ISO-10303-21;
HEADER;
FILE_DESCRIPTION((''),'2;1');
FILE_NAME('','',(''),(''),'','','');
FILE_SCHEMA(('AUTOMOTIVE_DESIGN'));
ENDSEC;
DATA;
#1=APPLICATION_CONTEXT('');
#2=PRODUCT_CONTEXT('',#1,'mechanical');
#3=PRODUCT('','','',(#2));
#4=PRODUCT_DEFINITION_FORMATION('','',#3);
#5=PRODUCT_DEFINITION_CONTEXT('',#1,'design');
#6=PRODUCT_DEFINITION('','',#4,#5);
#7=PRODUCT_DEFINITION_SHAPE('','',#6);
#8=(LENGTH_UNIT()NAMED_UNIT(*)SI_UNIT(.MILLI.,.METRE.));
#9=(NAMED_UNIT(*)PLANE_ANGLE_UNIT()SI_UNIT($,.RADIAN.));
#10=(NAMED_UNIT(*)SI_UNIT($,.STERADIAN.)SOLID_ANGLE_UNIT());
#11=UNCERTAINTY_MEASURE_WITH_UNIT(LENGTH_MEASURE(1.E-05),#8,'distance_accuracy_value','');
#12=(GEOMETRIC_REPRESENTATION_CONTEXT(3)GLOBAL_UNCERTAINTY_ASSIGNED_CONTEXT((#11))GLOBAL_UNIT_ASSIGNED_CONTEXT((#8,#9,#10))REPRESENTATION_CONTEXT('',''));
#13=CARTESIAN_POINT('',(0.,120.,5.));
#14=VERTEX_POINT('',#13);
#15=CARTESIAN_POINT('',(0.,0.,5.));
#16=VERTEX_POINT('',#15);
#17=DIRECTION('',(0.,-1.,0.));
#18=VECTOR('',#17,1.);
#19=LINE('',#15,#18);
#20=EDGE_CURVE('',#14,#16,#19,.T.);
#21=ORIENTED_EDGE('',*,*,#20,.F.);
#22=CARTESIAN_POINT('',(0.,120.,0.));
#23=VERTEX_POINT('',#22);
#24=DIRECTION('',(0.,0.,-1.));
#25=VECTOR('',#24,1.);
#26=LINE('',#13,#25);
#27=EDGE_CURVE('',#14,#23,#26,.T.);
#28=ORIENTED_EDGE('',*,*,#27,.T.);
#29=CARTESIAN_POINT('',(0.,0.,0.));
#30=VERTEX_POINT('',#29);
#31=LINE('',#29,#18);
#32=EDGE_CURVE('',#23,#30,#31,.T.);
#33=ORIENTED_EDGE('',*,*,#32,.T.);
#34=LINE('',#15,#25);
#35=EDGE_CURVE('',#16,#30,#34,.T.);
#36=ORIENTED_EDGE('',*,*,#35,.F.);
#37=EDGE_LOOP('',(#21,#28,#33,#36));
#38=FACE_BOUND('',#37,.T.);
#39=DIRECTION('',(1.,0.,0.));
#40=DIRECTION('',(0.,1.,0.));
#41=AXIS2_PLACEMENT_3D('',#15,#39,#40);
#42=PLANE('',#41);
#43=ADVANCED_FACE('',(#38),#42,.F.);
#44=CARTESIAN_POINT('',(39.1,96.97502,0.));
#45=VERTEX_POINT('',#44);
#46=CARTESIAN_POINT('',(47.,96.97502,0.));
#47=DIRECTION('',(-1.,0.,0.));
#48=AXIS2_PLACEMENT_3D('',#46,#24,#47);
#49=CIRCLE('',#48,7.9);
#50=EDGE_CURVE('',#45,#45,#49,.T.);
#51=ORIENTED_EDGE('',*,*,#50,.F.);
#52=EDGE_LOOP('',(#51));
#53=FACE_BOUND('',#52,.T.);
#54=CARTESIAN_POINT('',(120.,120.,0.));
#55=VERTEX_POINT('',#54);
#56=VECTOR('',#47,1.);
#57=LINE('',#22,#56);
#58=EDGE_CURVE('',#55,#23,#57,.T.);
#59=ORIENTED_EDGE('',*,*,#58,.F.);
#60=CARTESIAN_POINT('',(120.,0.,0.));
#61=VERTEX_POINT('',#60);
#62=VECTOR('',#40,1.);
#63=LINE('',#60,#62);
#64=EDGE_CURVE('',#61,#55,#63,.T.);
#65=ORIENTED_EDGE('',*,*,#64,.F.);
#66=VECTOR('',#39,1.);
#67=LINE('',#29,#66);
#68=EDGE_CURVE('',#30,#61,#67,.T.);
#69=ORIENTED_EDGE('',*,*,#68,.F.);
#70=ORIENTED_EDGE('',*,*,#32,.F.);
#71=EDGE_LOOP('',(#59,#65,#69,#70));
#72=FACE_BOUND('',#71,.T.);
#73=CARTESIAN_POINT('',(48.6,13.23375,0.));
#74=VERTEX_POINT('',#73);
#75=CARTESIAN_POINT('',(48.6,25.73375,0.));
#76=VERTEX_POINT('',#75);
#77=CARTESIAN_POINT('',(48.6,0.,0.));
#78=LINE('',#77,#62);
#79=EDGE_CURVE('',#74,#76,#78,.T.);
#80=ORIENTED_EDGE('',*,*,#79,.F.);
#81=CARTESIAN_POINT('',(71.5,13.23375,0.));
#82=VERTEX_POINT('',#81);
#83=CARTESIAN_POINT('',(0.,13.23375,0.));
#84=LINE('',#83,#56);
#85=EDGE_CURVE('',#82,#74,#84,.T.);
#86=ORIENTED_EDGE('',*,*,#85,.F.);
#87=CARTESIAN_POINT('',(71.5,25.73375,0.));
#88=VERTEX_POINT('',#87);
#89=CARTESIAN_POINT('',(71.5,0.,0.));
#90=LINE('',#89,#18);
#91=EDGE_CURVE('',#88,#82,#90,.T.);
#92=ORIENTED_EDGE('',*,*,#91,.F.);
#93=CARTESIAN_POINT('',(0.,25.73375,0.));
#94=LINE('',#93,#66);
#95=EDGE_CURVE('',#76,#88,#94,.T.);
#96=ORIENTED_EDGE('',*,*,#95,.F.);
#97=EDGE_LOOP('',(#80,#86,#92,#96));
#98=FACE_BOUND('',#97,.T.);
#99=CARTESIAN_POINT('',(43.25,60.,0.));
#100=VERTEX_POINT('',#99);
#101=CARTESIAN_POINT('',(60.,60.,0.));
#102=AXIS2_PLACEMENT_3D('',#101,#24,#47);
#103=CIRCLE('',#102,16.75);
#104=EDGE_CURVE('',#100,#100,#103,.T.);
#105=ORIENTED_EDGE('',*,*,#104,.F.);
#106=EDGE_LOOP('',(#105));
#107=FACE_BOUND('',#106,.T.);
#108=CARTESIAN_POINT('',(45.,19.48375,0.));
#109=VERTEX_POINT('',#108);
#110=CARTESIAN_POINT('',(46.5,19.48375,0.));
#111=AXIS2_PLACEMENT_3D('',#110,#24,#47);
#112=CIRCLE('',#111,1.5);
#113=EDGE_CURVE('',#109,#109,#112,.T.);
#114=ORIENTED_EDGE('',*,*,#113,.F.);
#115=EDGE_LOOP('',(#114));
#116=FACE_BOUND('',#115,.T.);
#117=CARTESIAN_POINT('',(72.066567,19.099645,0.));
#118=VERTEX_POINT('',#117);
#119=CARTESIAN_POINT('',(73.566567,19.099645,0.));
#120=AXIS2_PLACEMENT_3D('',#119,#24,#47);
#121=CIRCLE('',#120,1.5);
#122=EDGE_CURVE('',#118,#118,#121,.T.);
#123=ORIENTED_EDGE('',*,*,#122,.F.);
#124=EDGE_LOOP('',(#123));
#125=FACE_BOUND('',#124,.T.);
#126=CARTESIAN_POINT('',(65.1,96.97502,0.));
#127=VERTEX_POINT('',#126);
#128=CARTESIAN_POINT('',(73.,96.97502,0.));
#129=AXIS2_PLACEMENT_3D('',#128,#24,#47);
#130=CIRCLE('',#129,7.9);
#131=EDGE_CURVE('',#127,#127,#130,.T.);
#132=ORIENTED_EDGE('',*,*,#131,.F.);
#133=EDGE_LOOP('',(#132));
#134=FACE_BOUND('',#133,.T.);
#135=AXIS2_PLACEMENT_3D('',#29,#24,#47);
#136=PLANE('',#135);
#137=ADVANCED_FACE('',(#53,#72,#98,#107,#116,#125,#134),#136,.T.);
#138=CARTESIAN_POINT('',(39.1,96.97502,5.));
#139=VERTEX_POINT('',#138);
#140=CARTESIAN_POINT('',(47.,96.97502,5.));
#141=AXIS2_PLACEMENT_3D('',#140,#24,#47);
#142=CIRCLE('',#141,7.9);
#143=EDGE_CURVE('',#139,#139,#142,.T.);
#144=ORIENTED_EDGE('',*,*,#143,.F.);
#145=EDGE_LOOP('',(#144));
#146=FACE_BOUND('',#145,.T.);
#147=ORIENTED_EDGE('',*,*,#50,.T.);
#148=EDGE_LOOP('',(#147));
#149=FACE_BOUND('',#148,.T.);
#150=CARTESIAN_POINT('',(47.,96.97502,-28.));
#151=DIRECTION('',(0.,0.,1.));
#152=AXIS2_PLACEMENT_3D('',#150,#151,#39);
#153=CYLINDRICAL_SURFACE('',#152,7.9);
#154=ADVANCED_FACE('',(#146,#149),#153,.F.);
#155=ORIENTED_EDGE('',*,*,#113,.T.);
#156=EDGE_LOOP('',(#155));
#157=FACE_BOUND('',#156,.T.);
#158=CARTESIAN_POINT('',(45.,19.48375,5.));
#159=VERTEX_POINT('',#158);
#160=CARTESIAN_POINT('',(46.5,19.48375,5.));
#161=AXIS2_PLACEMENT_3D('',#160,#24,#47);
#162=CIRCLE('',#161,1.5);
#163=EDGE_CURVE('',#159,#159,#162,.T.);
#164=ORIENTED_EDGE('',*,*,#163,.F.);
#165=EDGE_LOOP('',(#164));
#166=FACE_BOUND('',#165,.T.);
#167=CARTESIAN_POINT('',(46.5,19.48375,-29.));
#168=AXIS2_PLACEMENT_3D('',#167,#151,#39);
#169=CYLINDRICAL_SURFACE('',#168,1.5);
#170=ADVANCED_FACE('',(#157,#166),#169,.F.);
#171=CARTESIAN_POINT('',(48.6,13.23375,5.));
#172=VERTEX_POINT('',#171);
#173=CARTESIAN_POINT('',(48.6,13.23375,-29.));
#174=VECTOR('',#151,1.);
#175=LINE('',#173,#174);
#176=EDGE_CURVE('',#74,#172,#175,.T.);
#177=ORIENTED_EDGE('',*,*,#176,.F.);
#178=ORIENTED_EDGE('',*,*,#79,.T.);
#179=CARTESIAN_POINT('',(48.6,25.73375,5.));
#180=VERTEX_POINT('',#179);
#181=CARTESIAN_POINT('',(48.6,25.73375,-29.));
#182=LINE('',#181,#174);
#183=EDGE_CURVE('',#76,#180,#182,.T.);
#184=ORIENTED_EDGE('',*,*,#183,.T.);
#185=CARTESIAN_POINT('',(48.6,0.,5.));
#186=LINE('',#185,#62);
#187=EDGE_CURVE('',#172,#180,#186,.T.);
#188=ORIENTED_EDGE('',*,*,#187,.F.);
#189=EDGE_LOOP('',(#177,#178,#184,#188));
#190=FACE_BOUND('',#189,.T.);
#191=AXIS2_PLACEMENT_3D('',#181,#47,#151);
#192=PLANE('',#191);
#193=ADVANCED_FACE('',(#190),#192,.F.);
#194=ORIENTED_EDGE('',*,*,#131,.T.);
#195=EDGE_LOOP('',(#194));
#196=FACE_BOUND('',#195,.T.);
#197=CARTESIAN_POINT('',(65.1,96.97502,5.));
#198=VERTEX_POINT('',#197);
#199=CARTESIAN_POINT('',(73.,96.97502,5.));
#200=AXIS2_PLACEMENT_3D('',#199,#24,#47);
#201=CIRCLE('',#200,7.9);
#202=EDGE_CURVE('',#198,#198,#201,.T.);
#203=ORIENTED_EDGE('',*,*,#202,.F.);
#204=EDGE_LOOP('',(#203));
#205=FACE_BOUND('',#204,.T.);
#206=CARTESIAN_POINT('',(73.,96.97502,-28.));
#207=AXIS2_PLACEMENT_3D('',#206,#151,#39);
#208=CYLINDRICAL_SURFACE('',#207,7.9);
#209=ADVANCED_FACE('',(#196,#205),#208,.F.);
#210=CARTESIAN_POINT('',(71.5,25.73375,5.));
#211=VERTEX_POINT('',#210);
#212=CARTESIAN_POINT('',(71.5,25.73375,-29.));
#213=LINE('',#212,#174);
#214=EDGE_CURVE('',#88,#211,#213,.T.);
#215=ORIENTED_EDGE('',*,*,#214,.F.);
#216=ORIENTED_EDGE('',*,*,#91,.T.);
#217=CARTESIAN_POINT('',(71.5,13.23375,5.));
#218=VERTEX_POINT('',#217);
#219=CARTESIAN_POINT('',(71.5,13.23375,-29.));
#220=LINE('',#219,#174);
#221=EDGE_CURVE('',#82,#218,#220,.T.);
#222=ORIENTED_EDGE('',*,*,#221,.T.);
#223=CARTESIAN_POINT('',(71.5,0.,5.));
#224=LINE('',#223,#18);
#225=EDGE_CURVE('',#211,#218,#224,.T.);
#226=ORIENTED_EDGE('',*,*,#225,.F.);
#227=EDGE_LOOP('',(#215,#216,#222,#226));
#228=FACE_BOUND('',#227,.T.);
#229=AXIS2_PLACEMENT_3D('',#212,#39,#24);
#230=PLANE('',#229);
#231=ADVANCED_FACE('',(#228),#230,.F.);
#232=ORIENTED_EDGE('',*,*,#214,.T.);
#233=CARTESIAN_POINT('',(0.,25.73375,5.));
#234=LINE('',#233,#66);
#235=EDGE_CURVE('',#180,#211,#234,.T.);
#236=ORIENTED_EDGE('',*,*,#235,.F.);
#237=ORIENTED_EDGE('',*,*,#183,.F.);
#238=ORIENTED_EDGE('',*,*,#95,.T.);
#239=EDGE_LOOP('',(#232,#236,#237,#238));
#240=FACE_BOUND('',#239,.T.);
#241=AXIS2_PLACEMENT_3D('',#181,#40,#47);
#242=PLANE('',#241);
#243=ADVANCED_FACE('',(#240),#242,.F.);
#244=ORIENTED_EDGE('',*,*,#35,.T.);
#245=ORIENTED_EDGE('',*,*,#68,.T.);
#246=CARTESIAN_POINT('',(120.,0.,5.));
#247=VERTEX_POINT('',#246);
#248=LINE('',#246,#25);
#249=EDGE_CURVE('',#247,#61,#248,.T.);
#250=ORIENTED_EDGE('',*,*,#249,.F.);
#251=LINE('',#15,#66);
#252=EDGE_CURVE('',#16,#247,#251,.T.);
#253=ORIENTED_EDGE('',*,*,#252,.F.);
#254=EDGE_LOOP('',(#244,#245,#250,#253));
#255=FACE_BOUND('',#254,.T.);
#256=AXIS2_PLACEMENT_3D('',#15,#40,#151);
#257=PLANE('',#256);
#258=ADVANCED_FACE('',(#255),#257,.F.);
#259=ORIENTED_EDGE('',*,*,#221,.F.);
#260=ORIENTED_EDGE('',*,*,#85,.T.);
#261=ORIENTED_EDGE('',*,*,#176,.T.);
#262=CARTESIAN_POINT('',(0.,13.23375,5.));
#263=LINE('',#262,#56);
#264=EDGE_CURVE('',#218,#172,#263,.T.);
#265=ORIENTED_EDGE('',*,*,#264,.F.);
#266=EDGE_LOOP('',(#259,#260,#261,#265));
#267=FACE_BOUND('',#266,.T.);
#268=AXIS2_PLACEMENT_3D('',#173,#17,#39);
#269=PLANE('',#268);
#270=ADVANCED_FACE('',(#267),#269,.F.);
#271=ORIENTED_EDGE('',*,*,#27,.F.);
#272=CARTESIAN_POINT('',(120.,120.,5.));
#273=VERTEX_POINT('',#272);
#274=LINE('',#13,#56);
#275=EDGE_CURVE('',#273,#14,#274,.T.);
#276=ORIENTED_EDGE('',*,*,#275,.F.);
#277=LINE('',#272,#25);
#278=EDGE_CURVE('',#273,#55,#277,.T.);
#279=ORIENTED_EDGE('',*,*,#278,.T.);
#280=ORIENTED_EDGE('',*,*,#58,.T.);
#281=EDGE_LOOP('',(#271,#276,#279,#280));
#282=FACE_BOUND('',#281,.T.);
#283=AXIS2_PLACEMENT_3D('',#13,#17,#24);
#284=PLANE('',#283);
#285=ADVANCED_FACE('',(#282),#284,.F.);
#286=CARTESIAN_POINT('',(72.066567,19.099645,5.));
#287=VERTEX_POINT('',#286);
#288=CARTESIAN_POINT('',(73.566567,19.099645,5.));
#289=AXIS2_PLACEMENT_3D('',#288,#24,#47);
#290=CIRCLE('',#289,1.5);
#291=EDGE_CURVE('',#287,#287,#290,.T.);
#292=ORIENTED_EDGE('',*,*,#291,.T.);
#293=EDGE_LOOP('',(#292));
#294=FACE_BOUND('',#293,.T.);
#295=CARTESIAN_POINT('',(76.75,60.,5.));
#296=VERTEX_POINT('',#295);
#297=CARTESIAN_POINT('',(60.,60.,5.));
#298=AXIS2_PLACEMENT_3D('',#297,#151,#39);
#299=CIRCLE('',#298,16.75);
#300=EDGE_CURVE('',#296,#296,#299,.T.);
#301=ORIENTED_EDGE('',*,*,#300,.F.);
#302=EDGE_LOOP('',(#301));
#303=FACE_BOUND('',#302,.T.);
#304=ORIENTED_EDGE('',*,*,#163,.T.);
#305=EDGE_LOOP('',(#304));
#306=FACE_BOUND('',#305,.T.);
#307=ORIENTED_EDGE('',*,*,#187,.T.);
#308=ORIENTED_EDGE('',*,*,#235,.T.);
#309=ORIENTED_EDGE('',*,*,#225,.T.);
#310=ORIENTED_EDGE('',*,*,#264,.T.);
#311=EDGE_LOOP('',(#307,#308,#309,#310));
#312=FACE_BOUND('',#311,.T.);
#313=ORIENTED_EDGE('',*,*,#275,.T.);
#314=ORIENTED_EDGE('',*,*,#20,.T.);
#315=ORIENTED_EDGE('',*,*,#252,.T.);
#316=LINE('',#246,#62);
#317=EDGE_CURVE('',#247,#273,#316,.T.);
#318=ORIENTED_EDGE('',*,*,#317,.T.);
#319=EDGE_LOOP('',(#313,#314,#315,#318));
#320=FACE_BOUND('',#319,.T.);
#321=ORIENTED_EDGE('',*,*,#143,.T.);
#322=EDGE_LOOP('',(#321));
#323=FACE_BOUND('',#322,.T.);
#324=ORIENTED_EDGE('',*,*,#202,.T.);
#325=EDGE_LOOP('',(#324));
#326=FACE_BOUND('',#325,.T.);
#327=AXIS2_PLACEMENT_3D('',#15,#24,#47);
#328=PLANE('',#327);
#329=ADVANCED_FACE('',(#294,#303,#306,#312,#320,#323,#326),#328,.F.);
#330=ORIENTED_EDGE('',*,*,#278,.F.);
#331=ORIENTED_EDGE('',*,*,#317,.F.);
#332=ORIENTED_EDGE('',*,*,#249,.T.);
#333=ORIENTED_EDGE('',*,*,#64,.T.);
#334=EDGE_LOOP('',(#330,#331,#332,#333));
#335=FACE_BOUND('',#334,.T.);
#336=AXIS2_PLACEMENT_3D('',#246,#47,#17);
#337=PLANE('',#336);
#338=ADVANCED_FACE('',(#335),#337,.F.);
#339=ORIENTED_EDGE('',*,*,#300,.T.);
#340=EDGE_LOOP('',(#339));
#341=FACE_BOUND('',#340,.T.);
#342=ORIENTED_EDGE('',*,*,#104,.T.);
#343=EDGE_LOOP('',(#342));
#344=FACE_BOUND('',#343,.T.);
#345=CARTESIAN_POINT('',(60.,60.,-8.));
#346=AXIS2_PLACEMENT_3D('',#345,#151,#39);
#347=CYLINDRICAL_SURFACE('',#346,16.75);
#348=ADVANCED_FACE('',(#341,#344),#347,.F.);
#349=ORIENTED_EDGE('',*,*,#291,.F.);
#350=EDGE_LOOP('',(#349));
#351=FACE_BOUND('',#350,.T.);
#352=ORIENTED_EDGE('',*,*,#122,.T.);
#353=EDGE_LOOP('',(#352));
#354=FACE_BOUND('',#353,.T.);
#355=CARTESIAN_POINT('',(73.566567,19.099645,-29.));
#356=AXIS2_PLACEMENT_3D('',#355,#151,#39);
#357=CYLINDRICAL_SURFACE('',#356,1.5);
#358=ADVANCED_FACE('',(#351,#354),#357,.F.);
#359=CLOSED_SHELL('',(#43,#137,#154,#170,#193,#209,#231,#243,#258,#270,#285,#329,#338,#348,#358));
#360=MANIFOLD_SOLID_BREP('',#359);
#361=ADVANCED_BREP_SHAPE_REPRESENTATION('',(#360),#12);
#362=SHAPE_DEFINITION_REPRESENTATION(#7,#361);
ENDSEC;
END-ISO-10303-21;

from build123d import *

# Parameters (mm, degrees)
ESBO_O1_W                  = 120
ESBO_O1_H                  = 120
RESSALTO_EXTRUS_O1_DEPTH   = 5
ESBO_O2_R                  = 16.75
CORTE_EXTRUS_O1_DEPTH      = 13
CORTE_EXTRUS_O2_DEPTH      = 28
CORTE_EXTRUS_O2_DEPTH_BACK = 29
ESBO_O3_R                  = 1.5
ESBO_O3_W                  = 22.9
ESBO_O3_H                  = 12.5
CORTE_EXTRUS_O3_DEPTH      = 32
CORTE_EXTRUS_O3_DEPTH_BACK = 28
ESBO_O4_R                  = 7.9


with BuildPart() as part:
    # Esboço1 → Ressalto-extrusão1 (new body)
    with BuildSketch(Plane.XY):
        with Locations((60, 60)):
            Rectangle(ESBO_O1_W, ESBO_O1_H)
    extrude(amount=RESSALTO_EXTRUS_O1_DEPTH)

    # Esboço2 → Corte-extrusão1 (cut)
    with BuildSketch(Plane.XY.offset(5)):
        with Locations((60, 60)):
            Circle(ESBO_O2_R)
    extrude(amount=-CORTE_EXTRUS_O1_DEPTH, mode=Mode.SUBTRACT)

    # Esboço3 → Corte-extrusão2 (cut, two sides: drawn at the far end of the back side and taken through both)
    with BuildSketch(Plane.XY.offset(-CORTE_EXTRUS_O2_DEPTH_BACK)):
        with Locations(Location((46.5, 19.48375, 0), (0, 0, 180))):
            Circle(ESBO_O3_R)
        with Locations(Location((73.566567065, 19.099645167, 0), (0, 0, 180))):
            Circle(ESBO_O3_R)
        with Locations((60.05, 19.48375)):
            Rectangle(ESBO_O3_W, ESBO_O3_H)
    extrude(amount=CORTE_EXTRUS_O2_DEPTH + CORTE_EXTRUS_O2_DEPTH_BACK, mode=Mode.SUBTRACT)

    # Esboço4 → Corte-extrusão3 (cut, two sides: drawn at the far end of the back side and taken through both)
    with BuildSketch(Plane.XY.offset(-CORTE_EXTRUS_O3_DEPTH_BACK)):
        with Locations(Location((47, 96.975019671, 0), (0, 0, 180))):
            Circle(ESBO_O4_R)
        with Locations(Location((73, 96.975019671, 0), (0, 0, 180))):
            Circle(ESBO_O4_R)
    extrude(amount=CORTE_EXTRUS_O3_DEPTH + CORTE_EXTRUS_O3_DEPTH_BACK, mode=Mode.SUBTRACT)


solid = part.part
